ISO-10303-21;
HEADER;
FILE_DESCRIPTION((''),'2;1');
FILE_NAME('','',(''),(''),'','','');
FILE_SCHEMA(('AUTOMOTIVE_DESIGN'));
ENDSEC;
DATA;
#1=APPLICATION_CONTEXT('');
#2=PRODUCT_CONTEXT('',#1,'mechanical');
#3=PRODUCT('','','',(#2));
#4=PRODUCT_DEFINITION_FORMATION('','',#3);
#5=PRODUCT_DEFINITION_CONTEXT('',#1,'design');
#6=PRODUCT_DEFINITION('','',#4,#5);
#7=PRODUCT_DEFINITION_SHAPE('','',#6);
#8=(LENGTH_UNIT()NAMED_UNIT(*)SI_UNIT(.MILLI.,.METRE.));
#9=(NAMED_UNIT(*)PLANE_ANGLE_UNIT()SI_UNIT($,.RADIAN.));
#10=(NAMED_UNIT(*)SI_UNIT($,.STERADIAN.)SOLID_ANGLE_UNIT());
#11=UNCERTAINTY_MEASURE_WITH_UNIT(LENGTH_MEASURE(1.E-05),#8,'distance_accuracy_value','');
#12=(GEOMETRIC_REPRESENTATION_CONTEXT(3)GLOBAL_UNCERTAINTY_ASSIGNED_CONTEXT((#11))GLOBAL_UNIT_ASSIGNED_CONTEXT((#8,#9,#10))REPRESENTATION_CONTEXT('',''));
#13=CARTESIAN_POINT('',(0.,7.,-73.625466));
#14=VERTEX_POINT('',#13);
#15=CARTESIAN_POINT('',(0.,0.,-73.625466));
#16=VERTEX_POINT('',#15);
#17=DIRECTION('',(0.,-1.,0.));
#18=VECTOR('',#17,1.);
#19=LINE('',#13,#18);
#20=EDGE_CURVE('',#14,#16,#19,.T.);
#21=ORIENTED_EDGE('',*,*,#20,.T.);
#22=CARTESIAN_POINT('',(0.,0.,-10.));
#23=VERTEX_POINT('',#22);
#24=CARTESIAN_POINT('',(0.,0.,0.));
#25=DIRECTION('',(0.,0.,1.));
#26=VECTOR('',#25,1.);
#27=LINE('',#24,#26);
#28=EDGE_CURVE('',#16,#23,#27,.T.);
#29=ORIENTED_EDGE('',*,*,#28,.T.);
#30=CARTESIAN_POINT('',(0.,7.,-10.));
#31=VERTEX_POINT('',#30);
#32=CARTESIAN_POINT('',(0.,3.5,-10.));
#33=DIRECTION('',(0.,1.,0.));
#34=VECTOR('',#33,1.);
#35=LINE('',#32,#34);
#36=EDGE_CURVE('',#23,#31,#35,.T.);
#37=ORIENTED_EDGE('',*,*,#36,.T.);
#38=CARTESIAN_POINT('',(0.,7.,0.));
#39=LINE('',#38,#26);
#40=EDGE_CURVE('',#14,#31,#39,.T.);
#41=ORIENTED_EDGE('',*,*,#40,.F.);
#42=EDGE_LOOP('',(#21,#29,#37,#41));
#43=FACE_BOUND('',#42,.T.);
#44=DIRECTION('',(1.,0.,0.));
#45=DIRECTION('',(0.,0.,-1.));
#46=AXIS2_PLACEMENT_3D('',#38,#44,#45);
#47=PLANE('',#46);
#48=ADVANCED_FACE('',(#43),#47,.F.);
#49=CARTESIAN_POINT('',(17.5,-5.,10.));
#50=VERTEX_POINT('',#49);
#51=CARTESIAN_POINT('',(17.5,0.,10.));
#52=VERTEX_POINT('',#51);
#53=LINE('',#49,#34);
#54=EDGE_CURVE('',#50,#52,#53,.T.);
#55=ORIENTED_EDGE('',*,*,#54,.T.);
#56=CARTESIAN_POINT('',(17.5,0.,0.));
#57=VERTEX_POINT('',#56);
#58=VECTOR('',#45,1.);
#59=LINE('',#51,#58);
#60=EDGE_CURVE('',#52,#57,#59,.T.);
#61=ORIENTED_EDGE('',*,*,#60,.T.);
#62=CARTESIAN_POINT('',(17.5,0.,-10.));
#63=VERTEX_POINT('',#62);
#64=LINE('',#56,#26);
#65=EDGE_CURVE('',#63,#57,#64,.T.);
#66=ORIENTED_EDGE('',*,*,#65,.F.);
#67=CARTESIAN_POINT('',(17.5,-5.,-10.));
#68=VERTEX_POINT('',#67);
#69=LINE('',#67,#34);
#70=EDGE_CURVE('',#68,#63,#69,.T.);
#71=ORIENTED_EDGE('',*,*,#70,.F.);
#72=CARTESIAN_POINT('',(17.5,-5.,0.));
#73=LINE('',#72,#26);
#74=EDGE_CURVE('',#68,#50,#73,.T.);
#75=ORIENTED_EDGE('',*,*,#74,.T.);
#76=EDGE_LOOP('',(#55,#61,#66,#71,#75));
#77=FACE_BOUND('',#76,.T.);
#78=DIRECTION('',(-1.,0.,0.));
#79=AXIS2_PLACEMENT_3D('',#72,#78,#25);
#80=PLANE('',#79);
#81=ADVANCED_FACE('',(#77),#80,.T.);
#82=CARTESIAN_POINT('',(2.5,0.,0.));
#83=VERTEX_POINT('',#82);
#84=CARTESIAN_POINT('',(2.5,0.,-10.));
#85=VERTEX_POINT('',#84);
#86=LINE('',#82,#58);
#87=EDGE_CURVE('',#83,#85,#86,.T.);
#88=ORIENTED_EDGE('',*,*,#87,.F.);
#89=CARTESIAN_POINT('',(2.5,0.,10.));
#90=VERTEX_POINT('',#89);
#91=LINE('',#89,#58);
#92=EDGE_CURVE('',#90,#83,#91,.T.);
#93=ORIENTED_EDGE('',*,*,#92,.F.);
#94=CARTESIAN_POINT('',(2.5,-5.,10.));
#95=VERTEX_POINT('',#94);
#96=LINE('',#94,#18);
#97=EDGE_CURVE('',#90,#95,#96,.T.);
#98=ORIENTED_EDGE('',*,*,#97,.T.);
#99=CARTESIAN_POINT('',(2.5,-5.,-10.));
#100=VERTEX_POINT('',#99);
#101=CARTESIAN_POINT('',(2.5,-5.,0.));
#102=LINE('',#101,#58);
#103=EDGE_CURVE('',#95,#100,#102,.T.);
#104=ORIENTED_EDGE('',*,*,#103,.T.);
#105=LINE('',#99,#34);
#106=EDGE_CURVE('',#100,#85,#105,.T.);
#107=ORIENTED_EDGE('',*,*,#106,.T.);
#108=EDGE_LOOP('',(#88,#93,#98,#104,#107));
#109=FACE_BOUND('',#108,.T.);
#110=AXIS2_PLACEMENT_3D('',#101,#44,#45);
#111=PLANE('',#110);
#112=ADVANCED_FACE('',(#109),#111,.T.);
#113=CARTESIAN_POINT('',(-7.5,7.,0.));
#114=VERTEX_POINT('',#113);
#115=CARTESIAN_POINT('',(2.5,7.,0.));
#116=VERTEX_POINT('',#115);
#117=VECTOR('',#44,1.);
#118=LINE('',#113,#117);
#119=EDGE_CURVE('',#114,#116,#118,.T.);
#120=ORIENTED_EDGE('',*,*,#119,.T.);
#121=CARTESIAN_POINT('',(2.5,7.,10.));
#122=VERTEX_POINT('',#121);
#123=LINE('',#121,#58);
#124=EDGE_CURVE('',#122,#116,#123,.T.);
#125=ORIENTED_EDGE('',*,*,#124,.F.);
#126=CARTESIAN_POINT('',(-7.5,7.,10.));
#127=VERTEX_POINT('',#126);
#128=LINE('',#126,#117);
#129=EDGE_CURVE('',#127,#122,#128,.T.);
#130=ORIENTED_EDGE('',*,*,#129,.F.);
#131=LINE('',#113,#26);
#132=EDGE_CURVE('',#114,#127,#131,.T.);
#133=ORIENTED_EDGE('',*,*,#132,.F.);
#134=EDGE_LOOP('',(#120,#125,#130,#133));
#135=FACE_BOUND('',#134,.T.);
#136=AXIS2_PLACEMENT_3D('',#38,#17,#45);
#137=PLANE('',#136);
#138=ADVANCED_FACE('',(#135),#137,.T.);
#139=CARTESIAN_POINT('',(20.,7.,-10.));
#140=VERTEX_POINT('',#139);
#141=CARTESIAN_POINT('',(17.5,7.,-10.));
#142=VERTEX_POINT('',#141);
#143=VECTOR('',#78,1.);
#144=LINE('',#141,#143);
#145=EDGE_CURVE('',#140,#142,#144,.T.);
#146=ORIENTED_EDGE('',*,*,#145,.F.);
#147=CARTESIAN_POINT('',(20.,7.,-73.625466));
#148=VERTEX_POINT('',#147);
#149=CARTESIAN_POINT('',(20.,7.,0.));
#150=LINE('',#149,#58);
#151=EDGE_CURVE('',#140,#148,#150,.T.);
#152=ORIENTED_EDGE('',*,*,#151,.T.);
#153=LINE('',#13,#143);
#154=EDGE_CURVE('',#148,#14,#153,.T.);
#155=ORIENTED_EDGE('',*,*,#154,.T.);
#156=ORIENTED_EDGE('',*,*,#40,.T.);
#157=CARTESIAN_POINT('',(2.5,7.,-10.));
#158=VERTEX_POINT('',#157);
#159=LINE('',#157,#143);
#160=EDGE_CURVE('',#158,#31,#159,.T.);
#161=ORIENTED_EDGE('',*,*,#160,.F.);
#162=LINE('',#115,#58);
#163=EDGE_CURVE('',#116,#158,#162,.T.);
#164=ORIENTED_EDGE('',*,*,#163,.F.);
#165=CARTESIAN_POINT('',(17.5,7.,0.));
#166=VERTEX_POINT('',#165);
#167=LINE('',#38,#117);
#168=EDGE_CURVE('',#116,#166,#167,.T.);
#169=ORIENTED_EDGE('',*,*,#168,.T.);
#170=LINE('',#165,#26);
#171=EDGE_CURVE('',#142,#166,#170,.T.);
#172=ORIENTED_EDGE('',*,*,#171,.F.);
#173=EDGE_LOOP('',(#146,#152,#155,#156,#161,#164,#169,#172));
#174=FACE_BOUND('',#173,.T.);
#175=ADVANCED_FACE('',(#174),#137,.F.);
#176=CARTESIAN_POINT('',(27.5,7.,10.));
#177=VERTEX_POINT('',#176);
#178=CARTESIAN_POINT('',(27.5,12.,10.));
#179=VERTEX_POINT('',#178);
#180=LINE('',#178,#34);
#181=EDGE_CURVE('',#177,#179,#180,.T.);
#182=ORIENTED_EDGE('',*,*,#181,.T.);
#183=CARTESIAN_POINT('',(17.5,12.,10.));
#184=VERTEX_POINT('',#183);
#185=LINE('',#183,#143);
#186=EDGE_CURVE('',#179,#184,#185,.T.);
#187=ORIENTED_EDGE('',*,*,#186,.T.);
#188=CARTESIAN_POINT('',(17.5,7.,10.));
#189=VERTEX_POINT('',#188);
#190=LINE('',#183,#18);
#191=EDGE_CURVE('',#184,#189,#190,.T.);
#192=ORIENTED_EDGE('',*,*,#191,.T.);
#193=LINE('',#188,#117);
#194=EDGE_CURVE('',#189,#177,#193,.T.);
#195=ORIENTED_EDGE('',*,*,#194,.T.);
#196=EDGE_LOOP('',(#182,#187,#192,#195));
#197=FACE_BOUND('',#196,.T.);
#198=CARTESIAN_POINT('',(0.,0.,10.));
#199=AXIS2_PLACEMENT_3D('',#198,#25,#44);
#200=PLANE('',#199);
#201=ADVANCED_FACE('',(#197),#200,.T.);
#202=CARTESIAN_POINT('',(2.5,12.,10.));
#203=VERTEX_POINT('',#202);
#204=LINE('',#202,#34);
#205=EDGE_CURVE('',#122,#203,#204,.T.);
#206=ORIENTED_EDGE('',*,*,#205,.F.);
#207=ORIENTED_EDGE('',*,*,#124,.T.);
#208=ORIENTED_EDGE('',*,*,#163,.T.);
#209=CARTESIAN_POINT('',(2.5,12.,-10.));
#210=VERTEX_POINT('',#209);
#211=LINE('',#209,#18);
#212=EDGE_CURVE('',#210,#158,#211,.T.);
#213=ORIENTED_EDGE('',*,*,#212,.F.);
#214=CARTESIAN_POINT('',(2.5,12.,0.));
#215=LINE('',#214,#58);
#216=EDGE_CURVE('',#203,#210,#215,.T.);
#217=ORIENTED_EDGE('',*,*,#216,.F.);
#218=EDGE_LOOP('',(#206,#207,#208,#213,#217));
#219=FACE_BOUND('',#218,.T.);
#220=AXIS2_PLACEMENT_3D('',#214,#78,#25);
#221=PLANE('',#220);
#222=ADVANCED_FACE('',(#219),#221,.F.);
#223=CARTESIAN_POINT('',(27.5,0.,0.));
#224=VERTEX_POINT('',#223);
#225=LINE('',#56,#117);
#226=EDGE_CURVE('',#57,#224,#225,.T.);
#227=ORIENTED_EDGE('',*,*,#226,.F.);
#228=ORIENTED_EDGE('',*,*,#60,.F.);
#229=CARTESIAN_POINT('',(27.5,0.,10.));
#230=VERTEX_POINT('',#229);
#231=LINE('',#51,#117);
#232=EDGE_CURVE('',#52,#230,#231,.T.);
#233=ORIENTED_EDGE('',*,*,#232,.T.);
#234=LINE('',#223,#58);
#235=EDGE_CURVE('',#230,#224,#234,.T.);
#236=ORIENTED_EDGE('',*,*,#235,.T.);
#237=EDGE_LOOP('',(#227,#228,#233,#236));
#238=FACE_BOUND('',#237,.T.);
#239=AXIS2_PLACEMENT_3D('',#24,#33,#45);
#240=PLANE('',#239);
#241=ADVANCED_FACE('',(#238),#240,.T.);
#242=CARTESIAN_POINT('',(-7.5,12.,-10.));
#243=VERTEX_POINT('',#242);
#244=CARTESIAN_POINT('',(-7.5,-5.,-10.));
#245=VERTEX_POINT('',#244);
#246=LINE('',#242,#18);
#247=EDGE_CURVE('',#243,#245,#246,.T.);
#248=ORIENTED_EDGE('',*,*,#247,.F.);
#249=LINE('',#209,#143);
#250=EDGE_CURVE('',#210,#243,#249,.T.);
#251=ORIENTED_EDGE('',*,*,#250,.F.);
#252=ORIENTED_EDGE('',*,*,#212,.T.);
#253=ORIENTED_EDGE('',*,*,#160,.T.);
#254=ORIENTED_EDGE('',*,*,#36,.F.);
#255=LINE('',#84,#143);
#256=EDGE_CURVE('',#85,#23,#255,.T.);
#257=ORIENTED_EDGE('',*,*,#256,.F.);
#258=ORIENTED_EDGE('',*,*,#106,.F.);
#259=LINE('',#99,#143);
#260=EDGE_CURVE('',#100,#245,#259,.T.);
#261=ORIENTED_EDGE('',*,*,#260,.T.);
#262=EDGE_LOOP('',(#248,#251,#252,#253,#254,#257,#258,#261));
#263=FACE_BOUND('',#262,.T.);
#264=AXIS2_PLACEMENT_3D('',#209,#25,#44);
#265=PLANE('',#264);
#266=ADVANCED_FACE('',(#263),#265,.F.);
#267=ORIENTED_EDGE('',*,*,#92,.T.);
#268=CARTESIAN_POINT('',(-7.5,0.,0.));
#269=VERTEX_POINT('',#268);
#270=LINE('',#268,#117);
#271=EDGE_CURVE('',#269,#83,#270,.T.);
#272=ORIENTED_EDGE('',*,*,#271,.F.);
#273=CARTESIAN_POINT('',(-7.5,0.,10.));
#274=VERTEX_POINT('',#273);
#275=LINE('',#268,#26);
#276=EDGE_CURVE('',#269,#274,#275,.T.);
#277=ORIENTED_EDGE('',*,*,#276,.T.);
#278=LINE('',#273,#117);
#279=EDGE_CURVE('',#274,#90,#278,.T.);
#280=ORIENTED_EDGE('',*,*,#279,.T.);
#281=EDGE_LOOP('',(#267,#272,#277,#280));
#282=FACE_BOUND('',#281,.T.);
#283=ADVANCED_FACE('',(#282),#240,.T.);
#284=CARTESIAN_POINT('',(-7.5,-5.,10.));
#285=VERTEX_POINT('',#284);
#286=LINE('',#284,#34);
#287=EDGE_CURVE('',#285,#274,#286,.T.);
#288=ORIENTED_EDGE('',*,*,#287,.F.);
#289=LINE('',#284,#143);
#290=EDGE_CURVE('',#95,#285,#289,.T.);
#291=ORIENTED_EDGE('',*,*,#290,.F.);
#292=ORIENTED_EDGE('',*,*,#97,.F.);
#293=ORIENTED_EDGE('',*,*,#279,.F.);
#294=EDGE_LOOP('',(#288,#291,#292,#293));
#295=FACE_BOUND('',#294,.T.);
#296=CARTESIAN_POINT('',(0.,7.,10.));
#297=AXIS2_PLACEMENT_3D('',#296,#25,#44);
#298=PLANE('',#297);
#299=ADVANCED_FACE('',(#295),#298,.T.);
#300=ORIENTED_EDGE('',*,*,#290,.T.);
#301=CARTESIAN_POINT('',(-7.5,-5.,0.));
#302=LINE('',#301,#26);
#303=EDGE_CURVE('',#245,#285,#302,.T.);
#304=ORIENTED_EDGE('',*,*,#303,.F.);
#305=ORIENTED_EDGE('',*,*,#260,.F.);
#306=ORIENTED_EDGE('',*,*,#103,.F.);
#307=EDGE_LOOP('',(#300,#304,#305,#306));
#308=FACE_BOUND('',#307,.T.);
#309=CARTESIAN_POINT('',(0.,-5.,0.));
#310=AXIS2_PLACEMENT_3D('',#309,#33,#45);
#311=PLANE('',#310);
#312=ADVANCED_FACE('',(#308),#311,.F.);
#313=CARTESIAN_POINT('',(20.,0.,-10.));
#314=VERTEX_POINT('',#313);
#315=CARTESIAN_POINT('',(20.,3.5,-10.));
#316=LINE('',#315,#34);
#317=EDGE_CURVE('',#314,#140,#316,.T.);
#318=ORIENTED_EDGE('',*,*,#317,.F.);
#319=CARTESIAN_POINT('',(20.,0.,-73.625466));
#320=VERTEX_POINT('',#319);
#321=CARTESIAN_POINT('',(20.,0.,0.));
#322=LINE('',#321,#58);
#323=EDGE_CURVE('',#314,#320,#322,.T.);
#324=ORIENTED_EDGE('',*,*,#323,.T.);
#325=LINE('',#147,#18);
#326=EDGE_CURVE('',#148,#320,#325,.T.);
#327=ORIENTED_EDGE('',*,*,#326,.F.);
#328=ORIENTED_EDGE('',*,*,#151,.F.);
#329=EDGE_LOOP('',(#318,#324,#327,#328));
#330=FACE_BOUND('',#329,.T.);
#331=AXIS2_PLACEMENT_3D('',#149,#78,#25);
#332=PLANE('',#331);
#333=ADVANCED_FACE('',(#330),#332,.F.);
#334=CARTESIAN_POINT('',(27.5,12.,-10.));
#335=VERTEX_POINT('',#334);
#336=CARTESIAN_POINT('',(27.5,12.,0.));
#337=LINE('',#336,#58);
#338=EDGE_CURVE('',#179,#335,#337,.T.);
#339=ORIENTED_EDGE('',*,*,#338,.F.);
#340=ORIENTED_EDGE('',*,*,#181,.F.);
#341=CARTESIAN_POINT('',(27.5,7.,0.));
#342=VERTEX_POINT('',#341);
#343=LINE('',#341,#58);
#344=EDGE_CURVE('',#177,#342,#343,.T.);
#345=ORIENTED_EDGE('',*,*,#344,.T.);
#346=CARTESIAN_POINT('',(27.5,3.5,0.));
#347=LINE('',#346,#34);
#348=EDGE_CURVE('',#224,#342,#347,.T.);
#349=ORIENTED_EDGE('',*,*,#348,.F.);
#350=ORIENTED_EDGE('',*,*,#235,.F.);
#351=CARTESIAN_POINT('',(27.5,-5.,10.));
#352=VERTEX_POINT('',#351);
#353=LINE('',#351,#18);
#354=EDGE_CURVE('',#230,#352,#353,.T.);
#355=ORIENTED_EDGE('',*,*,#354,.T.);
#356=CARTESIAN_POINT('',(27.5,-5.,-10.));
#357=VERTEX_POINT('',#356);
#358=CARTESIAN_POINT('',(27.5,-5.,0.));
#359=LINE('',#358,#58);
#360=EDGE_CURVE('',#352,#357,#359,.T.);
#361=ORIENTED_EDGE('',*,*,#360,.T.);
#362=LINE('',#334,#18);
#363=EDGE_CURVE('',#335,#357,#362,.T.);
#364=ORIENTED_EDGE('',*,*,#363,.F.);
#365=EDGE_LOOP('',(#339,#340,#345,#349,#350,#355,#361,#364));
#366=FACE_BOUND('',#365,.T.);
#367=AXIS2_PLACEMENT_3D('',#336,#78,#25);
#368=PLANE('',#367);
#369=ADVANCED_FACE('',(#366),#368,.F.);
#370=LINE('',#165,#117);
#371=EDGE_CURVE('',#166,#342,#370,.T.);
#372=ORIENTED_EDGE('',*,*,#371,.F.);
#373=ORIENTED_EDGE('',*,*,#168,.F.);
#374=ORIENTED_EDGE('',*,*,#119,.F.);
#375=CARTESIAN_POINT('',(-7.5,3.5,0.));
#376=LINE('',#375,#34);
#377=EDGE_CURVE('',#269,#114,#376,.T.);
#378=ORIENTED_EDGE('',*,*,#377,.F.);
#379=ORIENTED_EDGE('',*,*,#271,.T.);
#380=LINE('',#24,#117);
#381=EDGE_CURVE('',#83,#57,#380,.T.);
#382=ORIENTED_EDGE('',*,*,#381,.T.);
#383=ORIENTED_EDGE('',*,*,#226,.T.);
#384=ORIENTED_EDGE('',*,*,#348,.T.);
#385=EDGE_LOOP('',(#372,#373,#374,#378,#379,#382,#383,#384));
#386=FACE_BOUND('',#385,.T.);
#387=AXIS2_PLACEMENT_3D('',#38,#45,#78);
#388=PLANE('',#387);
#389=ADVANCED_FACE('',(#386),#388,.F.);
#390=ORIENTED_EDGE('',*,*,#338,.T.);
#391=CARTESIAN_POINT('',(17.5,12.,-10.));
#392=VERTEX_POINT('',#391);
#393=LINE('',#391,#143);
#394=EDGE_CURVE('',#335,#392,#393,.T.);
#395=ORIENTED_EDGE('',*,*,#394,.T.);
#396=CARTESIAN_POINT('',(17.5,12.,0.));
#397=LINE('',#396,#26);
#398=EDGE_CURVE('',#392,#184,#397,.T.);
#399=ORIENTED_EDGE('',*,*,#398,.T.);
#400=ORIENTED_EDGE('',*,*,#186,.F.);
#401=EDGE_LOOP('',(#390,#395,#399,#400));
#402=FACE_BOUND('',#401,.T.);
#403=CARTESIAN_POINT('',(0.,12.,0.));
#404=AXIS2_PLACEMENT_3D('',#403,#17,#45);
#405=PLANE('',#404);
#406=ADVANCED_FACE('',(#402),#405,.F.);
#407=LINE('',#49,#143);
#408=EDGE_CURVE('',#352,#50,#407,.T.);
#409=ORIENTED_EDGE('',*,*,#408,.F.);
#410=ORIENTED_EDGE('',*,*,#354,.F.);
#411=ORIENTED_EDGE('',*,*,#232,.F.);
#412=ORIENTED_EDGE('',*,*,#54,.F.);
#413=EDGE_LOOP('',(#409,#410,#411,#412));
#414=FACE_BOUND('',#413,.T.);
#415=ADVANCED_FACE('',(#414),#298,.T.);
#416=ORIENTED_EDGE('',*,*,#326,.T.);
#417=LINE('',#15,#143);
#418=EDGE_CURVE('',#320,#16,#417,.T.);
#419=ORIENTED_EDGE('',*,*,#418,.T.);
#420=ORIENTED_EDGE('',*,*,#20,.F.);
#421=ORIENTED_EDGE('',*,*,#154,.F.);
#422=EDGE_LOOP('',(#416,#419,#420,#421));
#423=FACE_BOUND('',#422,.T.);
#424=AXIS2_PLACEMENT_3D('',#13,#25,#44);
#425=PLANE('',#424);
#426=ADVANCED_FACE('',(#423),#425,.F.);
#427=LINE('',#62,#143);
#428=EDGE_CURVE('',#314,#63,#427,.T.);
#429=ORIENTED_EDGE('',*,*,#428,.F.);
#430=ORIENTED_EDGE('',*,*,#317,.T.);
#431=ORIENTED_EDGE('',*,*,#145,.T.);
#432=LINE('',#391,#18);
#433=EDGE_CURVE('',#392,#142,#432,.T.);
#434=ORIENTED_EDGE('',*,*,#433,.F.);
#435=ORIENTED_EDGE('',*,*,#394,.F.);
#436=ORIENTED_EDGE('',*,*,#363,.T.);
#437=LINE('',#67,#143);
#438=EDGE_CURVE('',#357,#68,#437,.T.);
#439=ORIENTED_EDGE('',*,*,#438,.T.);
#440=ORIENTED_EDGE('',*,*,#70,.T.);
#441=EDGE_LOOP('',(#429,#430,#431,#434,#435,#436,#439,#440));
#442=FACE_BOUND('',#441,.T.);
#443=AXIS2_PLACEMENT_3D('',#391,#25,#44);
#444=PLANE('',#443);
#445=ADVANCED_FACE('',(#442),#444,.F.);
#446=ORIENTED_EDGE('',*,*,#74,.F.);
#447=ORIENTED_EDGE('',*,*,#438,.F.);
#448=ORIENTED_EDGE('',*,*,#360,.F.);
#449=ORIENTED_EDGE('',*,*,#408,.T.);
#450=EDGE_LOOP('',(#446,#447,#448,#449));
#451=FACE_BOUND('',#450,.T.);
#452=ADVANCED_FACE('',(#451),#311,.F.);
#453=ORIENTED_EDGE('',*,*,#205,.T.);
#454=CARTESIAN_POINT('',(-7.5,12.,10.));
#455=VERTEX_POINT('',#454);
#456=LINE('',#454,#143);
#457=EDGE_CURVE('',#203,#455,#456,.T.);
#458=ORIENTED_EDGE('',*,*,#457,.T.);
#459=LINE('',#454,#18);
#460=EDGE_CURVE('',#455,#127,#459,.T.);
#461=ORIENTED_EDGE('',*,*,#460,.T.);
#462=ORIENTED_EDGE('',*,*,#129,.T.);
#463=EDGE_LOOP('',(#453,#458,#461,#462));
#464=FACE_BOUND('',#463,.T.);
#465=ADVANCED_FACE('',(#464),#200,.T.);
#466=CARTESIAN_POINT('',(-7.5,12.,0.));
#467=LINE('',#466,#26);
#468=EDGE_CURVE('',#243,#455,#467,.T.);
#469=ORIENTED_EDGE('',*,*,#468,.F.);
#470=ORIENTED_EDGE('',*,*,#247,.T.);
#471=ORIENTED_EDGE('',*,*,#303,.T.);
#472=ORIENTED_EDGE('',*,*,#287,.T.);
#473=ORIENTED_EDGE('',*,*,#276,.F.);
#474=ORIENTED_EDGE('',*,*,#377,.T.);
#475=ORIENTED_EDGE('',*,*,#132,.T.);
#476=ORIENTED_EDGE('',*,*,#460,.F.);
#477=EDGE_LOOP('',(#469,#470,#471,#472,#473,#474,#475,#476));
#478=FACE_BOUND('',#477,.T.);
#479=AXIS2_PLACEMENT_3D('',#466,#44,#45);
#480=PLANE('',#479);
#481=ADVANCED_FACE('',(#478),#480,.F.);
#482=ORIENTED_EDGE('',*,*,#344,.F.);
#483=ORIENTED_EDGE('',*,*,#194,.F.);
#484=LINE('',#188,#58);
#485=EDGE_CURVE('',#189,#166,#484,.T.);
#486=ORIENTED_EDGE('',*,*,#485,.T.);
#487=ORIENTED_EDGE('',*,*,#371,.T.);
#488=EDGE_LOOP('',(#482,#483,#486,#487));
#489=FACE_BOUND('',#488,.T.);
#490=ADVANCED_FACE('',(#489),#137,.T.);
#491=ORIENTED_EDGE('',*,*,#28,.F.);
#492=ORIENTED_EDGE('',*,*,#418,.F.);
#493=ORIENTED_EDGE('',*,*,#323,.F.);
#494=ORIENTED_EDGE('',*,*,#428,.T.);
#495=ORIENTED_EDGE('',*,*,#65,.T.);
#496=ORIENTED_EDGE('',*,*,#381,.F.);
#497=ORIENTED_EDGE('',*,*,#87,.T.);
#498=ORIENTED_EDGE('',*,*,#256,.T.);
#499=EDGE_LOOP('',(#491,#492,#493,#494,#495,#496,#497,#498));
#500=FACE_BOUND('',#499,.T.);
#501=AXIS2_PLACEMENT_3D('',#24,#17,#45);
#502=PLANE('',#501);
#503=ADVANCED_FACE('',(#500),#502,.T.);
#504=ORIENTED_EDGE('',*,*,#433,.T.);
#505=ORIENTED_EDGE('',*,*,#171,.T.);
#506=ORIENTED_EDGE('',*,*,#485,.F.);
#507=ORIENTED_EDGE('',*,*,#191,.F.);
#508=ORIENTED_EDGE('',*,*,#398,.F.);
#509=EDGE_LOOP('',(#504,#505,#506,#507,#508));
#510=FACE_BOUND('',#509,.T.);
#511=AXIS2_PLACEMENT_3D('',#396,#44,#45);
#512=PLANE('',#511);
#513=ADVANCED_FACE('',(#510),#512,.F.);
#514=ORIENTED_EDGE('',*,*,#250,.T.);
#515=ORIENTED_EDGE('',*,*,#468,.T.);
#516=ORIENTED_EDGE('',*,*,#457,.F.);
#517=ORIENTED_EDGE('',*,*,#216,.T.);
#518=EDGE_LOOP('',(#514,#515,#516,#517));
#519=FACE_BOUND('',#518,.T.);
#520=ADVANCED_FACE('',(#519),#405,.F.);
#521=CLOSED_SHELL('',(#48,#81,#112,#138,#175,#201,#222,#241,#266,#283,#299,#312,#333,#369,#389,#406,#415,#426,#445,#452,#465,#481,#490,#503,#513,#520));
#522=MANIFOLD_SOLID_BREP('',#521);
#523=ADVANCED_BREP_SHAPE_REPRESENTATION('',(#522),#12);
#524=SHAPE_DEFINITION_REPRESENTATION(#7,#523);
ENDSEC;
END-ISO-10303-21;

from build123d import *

# Parameters (mm, degrees)
SKETCH1_W           = 20
SKETCH1_H           = 73.625466435
BOSS_EXTRUDE1_DEPTH = 7
SKETCH2_W           = 10
SKETCH2_H           = 10
BOSS_EXTRUDE2_DEPTH = 5
SKETCH3_W           = 10
SKETCH3_H           = 5
BOSS_EXTRUDE3_DEPTH = 10
SKETCH4_W           = 7.5
SKETCH4_H           = 10
BOSS_EXTRUDE4_DEPTH = 3.5


with BuildPart() as part:
    # Sketch1 → Boss-Extrude1 (new body)
    with BuildSketch(Plane(origin=(0, 0, 0), x_dir=(1, 0, 0), z_dir=(0, 1, 0))):
        with Locations((10, 36.812733218)):
            Rectangle(SKETCH1_W, SKETCH1_H)
    extrude(amount=BOSS_EXTRUDE1_DEPTH)

    # Sketch2 → Boss-Extrude2 (add)
    with BuildSketch(Plane(origin=(0, 7, 0), x_dir=(1, 0, 0), z_dir=(0, 1, 0))):
        with Locations((-2.5, 5)):
            Rectangle(SKETCH2_W, SKETCH2_H)
        with Locations((22.5, 5)):
            Rectangle(SKETCH2_W, SKETCH2_H)
    boss_extrude2 = extrude(amount=BOSS_EXTRUDE2_DEPTH)

    # Sketch3 → Boss-Extrude3 (add)
    with BuildSketch(Plane.XY):
        with Locations((-2.5, 9.5)):
            Rectangle(SKETCH3_W, SKETCH3_H)
        with Locations((22.5, 9.5)):
            Rectangle(SKETCH3_W, SKETCH3_H)
    boss_extrude3 = extrude(amount=BOSS_EXTRUDE3_DEPTH)

    # Sketch4 → Boss-Extrude4 (add)
    with BuildSketch(Plane.XZ.offset(-7)):
        with Locations((-3.75, -5)):
            Rectangle(SKETCH4_W, SKETCH4_H)
        with Locations((23.75, -5)):
            Rectangle(SKETCH4_W, SKETCH4_H)
    boss_extrude4 = extrude(amount=BOSS_EXTRUDE4_DEPTH)

    # Mirror1: Boss-Extrude2, Boss-Extrude3, Boss-Extrude4 across plane
    add(boss_extrude2.mirror(Plane.ZX.offset(3.5)))
    add(boss_extrude3.mirror(Plane.ZX.offset(3.5)))
    add(boss_extrude4.mirror(Plane.ZX.offset(3.5)))


solid = part.part
